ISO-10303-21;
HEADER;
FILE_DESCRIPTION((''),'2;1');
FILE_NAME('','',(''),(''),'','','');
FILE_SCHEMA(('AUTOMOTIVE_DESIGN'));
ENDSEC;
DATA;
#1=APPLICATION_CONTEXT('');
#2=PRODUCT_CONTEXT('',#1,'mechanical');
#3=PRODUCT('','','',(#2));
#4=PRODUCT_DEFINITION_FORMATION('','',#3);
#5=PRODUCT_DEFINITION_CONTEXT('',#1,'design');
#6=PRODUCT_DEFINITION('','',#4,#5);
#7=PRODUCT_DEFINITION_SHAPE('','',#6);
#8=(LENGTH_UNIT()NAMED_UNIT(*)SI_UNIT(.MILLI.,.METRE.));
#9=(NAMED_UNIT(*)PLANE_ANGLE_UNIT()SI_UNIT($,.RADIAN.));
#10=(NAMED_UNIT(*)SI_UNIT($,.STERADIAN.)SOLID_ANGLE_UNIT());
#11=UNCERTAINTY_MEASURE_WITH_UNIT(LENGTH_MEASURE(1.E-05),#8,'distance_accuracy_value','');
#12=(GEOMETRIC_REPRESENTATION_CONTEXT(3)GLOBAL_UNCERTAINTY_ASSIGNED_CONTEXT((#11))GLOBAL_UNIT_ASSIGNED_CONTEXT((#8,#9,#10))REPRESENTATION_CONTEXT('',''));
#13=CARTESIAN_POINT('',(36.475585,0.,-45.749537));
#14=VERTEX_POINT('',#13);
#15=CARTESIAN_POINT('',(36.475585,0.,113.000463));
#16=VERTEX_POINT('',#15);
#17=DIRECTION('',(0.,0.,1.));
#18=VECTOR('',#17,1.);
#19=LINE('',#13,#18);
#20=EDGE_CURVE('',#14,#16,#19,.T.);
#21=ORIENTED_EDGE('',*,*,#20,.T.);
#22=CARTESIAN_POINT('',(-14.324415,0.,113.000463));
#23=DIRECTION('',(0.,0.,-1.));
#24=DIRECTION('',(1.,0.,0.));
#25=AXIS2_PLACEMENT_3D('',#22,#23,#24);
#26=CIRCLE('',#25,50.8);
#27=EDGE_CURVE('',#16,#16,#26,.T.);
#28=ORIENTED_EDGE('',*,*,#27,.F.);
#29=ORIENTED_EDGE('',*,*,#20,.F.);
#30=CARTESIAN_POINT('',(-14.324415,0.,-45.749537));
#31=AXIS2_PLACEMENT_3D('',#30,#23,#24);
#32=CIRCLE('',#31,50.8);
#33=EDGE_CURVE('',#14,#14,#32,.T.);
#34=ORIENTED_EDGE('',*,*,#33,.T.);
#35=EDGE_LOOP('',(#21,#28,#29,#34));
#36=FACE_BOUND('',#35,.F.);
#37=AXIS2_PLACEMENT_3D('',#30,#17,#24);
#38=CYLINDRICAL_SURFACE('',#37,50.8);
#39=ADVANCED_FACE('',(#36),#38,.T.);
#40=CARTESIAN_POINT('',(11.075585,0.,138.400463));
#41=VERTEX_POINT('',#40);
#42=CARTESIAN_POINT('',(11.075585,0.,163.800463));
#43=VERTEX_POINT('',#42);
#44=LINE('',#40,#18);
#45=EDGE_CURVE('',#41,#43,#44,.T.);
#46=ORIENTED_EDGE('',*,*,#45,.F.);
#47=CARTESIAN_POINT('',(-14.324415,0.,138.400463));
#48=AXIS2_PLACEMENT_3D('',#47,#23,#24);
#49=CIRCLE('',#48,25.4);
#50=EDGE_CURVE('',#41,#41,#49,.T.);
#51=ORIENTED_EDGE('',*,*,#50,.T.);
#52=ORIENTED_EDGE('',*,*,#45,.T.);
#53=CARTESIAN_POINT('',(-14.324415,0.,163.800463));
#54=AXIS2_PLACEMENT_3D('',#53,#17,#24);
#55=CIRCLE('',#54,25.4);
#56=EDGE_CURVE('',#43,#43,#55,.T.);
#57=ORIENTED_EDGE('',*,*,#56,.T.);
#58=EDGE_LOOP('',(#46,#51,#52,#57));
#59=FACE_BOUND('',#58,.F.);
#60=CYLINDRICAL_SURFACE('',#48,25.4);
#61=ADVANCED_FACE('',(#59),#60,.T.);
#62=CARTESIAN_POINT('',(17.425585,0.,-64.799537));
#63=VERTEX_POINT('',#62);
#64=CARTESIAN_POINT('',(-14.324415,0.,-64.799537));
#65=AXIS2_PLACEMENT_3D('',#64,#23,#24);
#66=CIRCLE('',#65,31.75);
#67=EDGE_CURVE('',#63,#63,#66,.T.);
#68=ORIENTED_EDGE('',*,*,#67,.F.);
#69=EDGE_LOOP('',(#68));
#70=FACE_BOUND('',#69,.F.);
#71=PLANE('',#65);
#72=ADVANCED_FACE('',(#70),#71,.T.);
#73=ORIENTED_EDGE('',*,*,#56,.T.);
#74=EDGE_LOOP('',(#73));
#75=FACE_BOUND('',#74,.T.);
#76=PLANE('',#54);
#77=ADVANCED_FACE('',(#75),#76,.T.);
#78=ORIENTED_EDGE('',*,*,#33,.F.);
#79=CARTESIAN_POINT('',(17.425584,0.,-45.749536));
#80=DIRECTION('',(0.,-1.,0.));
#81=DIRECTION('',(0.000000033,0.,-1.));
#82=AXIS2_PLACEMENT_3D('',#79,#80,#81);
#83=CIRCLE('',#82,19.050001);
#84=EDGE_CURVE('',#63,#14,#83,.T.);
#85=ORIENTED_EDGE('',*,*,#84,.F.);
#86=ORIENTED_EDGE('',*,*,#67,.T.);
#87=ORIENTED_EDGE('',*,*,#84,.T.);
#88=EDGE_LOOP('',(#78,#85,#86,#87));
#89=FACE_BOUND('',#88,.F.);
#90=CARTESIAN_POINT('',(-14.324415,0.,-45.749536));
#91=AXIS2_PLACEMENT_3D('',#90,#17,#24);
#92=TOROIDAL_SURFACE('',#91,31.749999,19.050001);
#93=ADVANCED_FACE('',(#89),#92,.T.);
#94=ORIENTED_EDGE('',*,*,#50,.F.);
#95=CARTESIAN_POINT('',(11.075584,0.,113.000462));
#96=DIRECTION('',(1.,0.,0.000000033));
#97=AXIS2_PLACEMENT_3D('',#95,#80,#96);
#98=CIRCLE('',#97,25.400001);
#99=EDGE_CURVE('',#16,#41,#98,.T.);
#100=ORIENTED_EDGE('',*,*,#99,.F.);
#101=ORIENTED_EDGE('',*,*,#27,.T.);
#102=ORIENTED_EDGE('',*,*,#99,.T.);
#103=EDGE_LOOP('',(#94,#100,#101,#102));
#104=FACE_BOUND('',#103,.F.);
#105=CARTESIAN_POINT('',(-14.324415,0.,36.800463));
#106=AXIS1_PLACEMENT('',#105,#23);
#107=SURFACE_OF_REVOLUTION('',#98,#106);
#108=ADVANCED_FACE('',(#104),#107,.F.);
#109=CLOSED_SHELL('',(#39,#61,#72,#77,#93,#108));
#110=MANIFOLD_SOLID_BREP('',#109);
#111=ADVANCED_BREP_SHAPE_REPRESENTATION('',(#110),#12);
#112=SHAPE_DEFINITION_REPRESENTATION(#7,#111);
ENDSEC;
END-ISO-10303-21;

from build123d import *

# Parameters (mm, degrees)
F2_R     = 25.4
F3_DEPTH = 25.4


with BuildPart() as f1:
    # F0 (on Front) → F1 (revolve)
    with BuildSketch(Plane.XZ):
        with BuildLine():
            Line((11.075585, 138.400463), (-14.324415, 138.400463))
            Line((-14.324415, 138.400463), (-14.324415, -64.799537))
            Line((-14.324415, -64.799537), (17.425585, -64.799537))
            ThreePointArc((17.425585, -64.799537), (30.895969, -59.219921), (36.475585, -45.749537))
            Line((36.475585, -45.749537), (36.475585, 113.000463))
            ThreePointArc((36.475585, 113.000463), (29.036097, 130.960975), (11.075585, 138.400463))
        make_face()
    revolve(axis=Axis((-14.324415, 0, 36.800463), (0, 0, -1)))

    # F2 (on face) → F3 (join)
    with BuildSketch(Plane.XY.offset(138.400463)):
        with Locations((-14.324415, 0)):
            Circle(F2_R)
    extrude(amount=F3_DEPTH)


solid = f1.part
